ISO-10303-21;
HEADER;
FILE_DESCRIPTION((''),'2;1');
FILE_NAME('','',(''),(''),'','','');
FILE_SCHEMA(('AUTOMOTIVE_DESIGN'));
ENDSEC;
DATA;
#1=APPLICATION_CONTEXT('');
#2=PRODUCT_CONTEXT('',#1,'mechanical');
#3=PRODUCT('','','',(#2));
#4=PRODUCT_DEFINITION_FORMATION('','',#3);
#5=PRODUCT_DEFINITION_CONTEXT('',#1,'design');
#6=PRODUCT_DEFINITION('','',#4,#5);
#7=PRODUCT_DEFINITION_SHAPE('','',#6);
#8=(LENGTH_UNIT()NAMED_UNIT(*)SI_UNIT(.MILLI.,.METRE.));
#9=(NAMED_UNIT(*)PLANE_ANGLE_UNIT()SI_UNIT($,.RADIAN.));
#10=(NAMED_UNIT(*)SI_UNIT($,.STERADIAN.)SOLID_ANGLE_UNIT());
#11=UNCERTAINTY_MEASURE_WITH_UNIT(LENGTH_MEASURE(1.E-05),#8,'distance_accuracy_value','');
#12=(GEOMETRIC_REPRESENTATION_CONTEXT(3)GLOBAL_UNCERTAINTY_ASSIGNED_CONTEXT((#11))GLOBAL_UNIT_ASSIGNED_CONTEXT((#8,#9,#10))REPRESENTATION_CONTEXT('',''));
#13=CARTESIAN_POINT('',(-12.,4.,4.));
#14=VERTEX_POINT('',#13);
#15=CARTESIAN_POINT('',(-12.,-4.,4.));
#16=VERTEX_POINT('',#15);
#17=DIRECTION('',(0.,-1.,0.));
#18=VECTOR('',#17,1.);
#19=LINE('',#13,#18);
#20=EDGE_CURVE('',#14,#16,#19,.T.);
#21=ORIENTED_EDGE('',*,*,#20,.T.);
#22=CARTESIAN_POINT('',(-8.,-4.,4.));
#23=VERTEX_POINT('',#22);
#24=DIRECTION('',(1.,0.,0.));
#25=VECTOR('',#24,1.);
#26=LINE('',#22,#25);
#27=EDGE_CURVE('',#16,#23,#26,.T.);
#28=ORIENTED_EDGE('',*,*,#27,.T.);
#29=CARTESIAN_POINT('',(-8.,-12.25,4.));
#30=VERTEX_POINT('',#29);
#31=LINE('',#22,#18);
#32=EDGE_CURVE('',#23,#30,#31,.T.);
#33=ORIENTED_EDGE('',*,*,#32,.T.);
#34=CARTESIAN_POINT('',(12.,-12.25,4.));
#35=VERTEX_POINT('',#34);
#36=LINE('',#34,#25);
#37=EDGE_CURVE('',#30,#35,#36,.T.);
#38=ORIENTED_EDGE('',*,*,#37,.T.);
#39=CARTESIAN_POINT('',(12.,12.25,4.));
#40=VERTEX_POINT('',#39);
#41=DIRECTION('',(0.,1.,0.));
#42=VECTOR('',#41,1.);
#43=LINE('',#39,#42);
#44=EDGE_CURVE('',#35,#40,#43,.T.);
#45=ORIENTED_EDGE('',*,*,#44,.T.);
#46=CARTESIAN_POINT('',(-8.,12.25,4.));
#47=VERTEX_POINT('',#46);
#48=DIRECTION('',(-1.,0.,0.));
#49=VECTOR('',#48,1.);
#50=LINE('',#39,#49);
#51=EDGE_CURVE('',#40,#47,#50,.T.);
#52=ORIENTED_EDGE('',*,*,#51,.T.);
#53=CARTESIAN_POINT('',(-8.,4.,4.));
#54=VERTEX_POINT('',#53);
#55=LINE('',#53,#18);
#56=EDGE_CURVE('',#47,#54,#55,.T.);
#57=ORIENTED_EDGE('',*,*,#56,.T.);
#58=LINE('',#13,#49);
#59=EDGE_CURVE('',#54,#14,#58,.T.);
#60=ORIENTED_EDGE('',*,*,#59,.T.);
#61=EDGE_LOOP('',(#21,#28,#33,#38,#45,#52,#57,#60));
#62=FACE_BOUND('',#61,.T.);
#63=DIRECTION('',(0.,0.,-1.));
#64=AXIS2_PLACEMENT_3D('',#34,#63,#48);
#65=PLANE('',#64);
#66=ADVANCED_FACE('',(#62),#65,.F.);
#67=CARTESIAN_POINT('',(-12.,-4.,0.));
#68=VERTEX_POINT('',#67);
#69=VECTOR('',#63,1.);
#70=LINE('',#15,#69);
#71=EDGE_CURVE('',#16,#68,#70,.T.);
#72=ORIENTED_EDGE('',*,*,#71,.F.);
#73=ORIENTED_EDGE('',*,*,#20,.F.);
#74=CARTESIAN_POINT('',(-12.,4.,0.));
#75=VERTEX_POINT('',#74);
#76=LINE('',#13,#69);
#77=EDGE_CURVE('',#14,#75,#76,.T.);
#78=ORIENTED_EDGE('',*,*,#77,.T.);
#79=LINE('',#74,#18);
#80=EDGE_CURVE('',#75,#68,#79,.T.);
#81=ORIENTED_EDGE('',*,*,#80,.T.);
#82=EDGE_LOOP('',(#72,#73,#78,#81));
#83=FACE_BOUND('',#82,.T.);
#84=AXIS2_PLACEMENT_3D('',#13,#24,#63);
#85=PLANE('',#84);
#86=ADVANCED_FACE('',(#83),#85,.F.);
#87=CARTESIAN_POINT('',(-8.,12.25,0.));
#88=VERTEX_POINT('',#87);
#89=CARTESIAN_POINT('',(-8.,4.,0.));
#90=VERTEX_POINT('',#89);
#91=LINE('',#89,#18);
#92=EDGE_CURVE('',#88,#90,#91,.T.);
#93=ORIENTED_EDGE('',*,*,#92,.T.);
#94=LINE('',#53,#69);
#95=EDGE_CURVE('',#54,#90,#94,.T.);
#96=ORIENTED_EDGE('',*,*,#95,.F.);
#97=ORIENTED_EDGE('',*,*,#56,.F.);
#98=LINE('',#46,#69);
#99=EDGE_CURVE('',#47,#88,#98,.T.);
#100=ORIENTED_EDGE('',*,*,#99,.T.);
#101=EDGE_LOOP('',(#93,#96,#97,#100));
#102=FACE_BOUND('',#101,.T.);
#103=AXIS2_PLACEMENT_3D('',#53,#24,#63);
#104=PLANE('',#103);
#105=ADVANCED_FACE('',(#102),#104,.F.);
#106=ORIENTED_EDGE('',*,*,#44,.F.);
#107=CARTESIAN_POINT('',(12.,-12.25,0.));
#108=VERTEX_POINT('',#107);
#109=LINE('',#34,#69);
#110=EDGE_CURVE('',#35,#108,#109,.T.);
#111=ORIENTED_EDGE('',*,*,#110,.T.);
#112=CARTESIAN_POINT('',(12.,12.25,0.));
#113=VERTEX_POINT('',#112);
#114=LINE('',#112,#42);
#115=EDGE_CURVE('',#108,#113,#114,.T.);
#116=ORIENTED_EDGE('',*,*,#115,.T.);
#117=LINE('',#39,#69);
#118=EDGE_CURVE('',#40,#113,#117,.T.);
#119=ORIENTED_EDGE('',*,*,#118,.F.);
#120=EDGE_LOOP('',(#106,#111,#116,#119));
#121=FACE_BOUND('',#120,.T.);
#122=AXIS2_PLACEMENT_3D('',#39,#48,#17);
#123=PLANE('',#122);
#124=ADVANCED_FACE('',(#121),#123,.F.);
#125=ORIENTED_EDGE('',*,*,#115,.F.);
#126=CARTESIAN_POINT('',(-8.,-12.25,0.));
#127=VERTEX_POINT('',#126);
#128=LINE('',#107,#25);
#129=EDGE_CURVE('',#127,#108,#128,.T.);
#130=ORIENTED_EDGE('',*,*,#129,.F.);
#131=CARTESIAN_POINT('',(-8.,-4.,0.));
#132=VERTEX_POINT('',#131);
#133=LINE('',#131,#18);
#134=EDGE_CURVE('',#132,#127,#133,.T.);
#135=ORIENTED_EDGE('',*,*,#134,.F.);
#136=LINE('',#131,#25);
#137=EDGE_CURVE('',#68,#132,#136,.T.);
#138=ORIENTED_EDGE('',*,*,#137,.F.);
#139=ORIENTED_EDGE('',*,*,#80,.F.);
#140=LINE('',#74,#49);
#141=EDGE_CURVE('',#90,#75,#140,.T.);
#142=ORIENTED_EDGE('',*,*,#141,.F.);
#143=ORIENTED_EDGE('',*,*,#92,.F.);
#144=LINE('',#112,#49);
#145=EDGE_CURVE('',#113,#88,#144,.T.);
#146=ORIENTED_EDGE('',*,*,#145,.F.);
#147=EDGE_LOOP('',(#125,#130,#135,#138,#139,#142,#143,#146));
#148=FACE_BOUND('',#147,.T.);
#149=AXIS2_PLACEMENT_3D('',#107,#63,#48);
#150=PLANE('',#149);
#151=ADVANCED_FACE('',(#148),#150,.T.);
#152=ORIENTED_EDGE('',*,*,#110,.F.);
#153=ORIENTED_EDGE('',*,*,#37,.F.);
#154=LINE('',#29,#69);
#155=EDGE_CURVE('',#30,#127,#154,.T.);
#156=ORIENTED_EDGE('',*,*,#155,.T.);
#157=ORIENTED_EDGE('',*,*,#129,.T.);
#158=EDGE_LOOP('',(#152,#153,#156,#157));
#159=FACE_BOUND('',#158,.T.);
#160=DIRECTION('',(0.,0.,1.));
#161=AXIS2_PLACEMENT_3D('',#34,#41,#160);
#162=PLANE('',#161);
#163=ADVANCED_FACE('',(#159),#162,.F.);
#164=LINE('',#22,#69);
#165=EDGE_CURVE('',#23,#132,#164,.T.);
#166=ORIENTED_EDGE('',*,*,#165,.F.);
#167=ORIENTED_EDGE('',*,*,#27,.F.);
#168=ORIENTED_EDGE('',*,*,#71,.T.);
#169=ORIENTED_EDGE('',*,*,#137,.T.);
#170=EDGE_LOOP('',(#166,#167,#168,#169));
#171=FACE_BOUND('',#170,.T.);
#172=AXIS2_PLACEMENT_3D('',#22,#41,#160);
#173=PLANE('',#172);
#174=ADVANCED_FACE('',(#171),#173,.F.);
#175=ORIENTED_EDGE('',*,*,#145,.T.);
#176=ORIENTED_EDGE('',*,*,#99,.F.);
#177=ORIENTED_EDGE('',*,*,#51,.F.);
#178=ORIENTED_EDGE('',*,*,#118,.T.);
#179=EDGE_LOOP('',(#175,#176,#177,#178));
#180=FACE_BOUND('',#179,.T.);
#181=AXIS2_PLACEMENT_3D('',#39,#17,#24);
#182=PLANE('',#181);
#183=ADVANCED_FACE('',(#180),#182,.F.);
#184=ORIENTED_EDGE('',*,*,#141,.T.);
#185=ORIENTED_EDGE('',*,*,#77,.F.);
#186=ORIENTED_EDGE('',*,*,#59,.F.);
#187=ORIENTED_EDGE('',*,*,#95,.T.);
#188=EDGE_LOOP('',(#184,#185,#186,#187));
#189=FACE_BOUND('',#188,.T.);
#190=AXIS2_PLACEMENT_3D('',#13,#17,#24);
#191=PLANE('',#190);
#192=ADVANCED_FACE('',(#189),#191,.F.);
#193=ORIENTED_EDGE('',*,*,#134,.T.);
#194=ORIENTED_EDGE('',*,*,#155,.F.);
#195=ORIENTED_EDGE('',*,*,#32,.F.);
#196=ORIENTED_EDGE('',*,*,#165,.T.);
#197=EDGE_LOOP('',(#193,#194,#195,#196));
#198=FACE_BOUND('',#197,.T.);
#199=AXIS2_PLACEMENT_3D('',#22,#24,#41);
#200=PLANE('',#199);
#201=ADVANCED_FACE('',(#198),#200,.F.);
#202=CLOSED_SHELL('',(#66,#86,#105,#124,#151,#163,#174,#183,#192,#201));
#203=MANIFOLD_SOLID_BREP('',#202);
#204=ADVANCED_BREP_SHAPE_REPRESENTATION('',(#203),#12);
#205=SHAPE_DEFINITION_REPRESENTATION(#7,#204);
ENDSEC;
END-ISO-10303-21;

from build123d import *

# Parameters (mm, degrees)
SALIENTE_EXTRUIR1_DEPTH = 4


with BuildPart() as part:
    # Croquis1 → Saliente-Extruir1 (new body)
    with BuildSketch(Plane.XY):
        Polygon((12, 12.25), (-8, 12.25), (-8, 4), (-12, 4), (-12, -4), (-8, -4), (-8, -12.25), (12, -12.25), align=None)
    extrude(amount=SALIENTE_EXTRUIR1_DEPTH)


solid = part.part
